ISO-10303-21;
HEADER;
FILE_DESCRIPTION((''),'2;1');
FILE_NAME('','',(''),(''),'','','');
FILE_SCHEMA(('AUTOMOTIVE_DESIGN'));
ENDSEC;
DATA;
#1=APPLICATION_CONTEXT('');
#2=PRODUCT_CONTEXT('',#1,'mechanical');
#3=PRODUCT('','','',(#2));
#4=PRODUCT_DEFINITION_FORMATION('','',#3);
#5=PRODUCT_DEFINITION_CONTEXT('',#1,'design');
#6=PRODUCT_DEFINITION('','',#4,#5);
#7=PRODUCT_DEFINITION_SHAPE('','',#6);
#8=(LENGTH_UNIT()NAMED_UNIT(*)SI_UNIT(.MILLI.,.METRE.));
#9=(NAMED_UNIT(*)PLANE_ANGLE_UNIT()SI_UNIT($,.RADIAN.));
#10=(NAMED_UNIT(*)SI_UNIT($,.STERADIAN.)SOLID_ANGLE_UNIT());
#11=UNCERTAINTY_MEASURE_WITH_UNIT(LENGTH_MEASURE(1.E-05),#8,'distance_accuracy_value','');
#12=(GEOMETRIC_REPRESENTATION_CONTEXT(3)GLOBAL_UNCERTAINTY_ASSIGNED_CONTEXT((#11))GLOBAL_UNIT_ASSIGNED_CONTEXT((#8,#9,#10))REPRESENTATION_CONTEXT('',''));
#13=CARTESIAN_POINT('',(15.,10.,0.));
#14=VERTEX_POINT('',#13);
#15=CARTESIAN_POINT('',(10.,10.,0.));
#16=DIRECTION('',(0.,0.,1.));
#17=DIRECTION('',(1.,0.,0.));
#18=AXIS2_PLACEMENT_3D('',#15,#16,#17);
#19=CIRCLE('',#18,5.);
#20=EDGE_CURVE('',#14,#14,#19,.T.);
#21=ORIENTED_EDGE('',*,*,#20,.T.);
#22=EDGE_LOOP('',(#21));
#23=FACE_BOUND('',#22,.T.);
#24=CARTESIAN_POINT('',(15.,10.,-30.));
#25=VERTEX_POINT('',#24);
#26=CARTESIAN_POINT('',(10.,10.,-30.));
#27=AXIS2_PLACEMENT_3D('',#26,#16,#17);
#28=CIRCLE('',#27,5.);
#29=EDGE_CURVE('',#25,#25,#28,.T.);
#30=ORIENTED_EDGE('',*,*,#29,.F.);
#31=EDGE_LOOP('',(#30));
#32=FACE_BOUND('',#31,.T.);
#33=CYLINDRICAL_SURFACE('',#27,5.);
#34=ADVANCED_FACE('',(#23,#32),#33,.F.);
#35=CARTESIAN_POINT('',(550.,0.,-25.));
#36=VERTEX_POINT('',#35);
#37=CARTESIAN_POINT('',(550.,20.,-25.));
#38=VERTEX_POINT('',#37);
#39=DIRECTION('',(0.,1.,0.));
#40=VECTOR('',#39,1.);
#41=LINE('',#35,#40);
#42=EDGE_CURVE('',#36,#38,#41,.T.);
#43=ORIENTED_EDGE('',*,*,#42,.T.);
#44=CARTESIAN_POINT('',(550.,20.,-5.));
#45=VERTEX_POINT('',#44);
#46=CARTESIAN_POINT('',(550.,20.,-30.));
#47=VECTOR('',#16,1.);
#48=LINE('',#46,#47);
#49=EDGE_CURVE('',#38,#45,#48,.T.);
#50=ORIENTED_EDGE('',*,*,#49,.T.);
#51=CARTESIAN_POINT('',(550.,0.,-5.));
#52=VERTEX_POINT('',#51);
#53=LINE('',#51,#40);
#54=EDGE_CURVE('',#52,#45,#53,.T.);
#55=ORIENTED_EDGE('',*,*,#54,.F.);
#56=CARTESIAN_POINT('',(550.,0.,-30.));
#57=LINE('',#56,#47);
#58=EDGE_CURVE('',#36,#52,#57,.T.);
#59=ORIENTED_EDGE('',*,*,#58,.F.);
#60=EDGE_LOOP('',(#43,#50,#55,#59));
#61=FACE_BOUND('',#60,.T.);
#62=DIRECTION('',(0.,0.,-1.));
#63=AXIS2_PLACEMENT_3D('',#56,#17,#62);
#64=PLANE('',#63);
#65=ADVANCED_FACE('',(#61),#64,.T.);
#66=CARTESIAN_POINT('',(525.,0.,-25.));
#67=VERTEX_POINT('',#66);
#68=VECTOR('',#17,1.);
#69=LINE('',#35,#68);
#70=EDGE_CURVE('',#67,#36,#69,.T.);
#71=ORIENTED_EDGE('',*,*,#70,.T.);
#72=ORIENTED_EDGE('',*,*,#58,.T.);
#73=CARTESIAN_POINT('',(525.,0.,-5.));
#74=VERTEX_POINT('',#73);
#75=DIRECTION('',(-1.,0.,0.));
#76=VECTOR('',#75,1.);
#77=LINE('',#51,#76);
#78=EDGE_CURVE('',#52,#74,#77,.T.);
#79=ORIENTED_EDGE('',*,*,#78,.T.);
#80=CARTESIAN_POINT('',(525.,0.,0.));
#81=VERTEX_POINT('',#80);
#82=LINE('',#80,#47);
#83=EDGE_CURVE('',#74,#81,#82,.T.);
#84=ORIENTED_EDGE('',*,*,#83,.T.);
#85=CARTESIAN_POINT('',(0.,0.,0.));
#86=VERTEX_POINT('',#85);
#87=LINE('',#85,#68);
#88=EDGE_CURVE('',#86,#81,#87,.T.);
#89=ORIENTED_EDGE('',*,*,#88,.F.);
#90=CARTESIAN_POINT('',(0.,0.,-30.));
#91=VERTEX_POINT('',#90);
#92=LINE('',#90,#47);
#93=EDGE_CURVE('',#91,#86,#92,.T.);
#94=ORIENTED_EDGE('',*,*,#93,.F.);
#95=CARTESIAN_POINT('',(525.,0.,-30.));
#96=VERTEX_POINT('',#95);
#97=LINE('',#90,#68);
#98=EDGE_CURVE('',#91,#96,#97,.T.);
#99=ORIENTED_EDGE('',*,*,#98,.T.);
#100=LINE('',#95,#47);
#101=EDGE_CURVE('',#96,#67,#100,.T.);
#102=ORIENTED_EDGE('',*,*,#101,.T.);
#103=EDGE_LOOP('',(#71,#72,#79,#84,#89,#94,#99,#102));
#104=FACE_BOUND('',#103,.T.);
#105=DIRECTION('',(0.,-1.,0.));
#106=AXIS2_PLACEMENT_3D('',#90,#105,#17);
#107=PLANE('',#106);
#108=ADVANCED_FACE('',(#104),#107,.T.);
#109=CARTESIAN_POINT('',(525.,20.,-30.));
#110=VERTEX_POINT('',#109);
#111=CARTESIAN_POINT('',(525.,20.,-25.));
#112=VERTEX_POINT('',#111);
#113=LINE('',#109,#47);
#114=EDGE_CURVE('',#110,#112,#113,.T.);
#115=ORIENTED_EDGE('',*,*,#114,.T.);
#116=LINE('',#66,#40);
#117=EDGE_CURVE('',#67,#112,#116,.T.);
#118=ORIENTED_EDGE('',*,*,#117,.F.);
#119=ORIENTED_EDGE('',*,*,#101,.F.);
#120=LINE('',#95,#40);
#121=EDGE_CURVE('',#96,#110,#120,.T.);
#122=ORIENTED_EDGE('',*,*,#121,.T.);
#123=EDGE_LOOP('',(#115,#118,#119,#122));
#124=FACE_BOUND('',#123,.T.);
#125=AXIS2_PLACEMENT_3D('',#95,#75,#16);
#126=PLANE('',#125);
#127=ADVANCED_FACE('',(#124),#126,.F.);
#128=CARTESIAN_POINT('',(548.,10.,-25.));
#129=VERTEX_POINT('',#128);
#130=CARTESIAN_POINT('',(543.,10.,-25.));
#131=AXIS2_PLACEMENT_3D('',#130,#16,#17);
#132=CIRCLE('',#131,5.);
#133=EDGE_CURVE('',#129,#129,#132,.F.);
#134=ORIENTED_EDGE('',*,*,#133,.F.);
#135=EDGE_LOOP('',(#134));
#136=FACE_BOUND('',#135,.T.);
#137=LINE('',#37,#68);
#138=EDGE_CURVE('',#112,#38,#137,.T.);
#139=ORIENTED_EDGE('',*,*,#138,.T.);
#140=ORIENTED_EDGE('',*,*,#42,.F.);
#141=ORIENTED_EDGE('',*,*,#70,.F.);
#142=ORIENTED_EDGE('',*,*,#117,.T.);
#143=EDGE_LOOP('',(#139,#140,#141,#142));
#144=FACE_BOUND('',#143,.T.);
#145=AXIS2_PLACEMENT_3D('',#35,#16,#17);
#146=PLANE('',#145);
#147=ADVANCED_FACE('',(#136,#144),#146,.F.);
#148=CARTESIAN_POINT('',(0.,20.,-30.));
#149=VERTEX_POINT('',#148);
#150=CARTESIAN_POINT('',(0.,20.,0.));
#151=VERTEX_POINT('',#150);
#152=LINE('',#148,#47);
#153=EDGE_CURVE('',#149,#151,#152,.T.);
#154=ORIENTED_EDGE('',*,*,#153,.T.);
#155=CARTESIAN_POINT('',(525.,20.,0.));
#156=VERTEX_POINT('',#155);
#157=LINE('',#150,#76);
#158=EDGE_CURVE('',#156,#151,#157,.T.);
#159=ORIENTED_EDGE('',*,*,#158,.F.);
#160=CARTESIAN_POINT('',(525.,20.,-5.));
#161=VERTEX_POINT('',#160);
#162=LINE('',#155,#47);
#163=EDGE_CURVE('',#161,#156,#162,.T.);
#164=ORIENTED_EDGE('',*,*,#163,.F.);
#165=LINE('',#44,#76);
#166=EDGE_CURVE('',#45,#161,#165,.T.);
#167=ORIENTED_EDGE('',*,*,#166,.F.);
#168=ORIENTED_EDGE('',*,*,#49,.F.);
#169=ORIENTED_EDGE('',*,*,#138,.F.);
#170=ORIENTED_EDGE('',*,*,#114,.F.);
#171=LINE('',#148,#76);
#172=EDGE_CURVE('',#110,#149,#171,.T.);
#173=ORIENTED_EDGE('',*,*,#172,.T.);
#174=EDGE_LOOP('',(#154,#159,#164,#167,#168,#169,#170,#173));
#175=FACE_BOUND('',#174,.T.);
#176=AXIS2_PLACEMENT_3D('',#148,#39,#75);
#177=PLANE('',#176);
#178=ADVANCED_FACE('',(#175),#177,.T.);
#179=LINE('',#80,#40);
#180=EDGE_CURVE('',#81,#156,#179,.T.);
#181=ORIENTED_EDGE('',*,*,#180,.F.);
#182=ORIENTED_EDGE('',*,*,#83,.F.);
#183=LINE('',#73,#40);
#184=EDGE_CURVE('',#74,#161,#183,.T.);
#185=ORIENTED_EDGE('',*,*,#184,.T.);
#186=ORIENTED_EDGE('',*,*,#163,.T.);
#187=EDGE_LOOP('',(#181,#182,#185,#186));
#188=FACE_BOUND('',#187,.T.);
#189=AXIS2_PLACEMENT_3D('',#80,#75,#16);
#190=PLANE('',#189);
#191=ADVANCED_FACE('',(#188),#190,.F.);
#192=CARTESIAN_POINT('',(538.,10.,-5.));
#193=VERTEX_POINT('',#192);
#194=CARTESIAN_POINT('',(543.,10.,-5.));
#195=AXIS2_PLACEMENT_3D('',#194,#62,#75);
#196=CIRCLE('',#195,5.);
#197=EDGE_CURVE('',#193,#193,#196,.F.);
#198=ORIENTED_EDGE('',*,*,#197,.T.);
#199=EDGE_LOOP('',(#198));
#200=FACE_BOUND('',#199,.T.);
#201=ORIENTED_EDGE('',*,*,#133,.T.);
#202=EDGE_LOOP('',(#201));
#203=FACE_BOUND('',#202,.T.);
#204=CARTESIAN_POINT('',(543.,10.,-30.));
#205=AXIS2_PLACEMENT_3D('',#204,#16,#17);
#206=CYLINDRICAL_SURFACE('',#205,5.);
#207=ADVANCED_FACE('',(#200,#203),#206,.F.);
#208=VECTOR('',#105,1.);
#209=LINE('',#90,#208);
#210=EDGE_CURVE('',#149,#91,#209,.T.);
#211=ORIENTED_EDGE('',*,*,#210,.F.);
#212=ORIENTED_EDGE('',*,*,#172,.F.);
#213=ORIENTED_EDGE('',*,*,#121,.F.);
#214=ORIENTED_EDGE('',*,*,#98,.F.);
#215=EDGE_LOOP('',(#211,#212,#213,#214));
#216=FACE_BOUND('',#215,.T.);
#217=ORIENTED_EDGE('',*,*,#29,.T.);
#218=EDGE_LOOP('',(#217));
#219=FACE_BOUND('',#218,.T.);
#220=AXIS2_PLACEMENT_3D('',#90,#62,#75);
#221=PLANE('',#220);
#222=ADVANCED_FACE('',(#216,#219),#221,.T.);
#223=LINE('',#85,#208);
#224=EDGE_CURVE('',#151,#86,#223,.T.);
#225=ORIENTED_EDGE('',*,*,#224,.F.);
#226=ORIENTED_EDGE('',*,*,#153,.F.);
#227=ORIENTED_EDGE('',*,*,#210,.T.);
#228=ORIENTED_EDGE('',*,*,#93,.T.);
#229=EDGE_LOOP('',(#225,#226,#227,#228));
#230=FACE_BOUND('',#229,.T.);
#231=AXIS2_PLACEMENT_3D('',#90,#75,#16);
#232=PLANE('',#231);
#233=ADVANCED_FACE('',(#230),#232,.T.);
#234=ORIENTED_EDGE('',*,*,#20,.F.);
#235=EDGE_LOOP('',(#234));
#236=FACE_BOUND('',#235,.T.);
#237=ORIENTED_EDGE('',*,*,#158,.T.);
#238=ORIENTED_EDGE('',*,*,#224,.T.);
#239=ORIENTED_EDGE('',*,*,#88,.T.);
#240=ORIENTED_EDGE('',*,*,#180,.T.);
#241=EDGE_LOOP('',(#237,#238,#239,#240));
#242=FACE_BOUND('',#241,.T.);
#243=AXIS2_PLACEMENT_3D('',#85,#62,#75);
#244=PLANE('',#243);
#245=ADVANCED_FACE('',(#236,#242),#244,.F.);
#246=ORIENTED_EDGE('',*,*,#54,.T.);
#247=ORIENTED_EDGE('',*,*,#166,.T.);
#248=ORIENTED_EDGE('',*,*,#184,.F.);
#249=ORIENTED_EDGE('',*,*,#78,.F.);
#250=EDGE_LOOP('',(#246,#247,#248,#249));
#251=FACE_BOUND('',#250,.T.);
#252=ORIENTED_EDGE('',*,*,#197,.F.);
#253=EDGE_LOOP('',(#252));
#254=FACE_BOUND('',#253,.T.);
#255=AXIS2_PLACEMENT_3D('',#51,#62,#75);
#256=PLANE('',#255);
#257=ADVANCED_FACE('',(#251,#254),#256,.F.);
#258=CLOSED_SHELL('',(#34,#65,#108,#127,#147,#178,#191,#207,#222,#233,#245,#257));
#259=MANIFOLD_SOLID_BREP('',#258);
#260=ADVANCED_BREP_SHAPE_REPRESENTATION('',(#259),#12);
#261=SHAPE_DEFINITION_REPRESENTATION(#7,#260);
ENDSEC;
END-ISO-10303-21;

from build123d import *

# Parameters (mm, degrees)
SKETCH1_W           = 550
SKETCH1_H           = 20
SKETCH1_R           = 5
BOSS_EXTRUDE1_DEPTH = 30
SKETCH3_W           = 25
SKETCH3_H           = 5
CUT_EXTRUDE2_DEPTH  = 552.180551181


with BuildPart() as part:
    # Sketch1 → Boss-Extrude1 (new body)
    with BuildSketch(Plane.XY):
        with Locations((275, 10)):
            Rectangle(SKETCH1_W, SKETCH1_H)
        with Locations((10, 10)):
            Circle(SKETCH1_R, mode=Mode.SUBTRACT)
        with Locations((543, 10)):
            Circle(SKETCH1_R, mode=Mode.SUBTRACT)
    extrude(amount=-BOSS_EXTRUDE1_DEPTH)

    # Sketch3 → Cut-Extrude2 (cut, through all)
    with BuildSketch(Plane(origin=(0, 20, 0), x_dir=(1, 0, 0), z_dir=(0, 1, 0))):
        with Locations((537.5, 2.5)):
            Rectangle(SKETCH3_W, SKETCH3_H)
        with Locations((537.5, 27.5)):
            Rectangle(SKETCH3_W, SKETCH3_H)
    extrude(amount=-CUT_EXTRUDE2_DEPTH, mode=Mode.SUBTRACT)


solid = part.part
